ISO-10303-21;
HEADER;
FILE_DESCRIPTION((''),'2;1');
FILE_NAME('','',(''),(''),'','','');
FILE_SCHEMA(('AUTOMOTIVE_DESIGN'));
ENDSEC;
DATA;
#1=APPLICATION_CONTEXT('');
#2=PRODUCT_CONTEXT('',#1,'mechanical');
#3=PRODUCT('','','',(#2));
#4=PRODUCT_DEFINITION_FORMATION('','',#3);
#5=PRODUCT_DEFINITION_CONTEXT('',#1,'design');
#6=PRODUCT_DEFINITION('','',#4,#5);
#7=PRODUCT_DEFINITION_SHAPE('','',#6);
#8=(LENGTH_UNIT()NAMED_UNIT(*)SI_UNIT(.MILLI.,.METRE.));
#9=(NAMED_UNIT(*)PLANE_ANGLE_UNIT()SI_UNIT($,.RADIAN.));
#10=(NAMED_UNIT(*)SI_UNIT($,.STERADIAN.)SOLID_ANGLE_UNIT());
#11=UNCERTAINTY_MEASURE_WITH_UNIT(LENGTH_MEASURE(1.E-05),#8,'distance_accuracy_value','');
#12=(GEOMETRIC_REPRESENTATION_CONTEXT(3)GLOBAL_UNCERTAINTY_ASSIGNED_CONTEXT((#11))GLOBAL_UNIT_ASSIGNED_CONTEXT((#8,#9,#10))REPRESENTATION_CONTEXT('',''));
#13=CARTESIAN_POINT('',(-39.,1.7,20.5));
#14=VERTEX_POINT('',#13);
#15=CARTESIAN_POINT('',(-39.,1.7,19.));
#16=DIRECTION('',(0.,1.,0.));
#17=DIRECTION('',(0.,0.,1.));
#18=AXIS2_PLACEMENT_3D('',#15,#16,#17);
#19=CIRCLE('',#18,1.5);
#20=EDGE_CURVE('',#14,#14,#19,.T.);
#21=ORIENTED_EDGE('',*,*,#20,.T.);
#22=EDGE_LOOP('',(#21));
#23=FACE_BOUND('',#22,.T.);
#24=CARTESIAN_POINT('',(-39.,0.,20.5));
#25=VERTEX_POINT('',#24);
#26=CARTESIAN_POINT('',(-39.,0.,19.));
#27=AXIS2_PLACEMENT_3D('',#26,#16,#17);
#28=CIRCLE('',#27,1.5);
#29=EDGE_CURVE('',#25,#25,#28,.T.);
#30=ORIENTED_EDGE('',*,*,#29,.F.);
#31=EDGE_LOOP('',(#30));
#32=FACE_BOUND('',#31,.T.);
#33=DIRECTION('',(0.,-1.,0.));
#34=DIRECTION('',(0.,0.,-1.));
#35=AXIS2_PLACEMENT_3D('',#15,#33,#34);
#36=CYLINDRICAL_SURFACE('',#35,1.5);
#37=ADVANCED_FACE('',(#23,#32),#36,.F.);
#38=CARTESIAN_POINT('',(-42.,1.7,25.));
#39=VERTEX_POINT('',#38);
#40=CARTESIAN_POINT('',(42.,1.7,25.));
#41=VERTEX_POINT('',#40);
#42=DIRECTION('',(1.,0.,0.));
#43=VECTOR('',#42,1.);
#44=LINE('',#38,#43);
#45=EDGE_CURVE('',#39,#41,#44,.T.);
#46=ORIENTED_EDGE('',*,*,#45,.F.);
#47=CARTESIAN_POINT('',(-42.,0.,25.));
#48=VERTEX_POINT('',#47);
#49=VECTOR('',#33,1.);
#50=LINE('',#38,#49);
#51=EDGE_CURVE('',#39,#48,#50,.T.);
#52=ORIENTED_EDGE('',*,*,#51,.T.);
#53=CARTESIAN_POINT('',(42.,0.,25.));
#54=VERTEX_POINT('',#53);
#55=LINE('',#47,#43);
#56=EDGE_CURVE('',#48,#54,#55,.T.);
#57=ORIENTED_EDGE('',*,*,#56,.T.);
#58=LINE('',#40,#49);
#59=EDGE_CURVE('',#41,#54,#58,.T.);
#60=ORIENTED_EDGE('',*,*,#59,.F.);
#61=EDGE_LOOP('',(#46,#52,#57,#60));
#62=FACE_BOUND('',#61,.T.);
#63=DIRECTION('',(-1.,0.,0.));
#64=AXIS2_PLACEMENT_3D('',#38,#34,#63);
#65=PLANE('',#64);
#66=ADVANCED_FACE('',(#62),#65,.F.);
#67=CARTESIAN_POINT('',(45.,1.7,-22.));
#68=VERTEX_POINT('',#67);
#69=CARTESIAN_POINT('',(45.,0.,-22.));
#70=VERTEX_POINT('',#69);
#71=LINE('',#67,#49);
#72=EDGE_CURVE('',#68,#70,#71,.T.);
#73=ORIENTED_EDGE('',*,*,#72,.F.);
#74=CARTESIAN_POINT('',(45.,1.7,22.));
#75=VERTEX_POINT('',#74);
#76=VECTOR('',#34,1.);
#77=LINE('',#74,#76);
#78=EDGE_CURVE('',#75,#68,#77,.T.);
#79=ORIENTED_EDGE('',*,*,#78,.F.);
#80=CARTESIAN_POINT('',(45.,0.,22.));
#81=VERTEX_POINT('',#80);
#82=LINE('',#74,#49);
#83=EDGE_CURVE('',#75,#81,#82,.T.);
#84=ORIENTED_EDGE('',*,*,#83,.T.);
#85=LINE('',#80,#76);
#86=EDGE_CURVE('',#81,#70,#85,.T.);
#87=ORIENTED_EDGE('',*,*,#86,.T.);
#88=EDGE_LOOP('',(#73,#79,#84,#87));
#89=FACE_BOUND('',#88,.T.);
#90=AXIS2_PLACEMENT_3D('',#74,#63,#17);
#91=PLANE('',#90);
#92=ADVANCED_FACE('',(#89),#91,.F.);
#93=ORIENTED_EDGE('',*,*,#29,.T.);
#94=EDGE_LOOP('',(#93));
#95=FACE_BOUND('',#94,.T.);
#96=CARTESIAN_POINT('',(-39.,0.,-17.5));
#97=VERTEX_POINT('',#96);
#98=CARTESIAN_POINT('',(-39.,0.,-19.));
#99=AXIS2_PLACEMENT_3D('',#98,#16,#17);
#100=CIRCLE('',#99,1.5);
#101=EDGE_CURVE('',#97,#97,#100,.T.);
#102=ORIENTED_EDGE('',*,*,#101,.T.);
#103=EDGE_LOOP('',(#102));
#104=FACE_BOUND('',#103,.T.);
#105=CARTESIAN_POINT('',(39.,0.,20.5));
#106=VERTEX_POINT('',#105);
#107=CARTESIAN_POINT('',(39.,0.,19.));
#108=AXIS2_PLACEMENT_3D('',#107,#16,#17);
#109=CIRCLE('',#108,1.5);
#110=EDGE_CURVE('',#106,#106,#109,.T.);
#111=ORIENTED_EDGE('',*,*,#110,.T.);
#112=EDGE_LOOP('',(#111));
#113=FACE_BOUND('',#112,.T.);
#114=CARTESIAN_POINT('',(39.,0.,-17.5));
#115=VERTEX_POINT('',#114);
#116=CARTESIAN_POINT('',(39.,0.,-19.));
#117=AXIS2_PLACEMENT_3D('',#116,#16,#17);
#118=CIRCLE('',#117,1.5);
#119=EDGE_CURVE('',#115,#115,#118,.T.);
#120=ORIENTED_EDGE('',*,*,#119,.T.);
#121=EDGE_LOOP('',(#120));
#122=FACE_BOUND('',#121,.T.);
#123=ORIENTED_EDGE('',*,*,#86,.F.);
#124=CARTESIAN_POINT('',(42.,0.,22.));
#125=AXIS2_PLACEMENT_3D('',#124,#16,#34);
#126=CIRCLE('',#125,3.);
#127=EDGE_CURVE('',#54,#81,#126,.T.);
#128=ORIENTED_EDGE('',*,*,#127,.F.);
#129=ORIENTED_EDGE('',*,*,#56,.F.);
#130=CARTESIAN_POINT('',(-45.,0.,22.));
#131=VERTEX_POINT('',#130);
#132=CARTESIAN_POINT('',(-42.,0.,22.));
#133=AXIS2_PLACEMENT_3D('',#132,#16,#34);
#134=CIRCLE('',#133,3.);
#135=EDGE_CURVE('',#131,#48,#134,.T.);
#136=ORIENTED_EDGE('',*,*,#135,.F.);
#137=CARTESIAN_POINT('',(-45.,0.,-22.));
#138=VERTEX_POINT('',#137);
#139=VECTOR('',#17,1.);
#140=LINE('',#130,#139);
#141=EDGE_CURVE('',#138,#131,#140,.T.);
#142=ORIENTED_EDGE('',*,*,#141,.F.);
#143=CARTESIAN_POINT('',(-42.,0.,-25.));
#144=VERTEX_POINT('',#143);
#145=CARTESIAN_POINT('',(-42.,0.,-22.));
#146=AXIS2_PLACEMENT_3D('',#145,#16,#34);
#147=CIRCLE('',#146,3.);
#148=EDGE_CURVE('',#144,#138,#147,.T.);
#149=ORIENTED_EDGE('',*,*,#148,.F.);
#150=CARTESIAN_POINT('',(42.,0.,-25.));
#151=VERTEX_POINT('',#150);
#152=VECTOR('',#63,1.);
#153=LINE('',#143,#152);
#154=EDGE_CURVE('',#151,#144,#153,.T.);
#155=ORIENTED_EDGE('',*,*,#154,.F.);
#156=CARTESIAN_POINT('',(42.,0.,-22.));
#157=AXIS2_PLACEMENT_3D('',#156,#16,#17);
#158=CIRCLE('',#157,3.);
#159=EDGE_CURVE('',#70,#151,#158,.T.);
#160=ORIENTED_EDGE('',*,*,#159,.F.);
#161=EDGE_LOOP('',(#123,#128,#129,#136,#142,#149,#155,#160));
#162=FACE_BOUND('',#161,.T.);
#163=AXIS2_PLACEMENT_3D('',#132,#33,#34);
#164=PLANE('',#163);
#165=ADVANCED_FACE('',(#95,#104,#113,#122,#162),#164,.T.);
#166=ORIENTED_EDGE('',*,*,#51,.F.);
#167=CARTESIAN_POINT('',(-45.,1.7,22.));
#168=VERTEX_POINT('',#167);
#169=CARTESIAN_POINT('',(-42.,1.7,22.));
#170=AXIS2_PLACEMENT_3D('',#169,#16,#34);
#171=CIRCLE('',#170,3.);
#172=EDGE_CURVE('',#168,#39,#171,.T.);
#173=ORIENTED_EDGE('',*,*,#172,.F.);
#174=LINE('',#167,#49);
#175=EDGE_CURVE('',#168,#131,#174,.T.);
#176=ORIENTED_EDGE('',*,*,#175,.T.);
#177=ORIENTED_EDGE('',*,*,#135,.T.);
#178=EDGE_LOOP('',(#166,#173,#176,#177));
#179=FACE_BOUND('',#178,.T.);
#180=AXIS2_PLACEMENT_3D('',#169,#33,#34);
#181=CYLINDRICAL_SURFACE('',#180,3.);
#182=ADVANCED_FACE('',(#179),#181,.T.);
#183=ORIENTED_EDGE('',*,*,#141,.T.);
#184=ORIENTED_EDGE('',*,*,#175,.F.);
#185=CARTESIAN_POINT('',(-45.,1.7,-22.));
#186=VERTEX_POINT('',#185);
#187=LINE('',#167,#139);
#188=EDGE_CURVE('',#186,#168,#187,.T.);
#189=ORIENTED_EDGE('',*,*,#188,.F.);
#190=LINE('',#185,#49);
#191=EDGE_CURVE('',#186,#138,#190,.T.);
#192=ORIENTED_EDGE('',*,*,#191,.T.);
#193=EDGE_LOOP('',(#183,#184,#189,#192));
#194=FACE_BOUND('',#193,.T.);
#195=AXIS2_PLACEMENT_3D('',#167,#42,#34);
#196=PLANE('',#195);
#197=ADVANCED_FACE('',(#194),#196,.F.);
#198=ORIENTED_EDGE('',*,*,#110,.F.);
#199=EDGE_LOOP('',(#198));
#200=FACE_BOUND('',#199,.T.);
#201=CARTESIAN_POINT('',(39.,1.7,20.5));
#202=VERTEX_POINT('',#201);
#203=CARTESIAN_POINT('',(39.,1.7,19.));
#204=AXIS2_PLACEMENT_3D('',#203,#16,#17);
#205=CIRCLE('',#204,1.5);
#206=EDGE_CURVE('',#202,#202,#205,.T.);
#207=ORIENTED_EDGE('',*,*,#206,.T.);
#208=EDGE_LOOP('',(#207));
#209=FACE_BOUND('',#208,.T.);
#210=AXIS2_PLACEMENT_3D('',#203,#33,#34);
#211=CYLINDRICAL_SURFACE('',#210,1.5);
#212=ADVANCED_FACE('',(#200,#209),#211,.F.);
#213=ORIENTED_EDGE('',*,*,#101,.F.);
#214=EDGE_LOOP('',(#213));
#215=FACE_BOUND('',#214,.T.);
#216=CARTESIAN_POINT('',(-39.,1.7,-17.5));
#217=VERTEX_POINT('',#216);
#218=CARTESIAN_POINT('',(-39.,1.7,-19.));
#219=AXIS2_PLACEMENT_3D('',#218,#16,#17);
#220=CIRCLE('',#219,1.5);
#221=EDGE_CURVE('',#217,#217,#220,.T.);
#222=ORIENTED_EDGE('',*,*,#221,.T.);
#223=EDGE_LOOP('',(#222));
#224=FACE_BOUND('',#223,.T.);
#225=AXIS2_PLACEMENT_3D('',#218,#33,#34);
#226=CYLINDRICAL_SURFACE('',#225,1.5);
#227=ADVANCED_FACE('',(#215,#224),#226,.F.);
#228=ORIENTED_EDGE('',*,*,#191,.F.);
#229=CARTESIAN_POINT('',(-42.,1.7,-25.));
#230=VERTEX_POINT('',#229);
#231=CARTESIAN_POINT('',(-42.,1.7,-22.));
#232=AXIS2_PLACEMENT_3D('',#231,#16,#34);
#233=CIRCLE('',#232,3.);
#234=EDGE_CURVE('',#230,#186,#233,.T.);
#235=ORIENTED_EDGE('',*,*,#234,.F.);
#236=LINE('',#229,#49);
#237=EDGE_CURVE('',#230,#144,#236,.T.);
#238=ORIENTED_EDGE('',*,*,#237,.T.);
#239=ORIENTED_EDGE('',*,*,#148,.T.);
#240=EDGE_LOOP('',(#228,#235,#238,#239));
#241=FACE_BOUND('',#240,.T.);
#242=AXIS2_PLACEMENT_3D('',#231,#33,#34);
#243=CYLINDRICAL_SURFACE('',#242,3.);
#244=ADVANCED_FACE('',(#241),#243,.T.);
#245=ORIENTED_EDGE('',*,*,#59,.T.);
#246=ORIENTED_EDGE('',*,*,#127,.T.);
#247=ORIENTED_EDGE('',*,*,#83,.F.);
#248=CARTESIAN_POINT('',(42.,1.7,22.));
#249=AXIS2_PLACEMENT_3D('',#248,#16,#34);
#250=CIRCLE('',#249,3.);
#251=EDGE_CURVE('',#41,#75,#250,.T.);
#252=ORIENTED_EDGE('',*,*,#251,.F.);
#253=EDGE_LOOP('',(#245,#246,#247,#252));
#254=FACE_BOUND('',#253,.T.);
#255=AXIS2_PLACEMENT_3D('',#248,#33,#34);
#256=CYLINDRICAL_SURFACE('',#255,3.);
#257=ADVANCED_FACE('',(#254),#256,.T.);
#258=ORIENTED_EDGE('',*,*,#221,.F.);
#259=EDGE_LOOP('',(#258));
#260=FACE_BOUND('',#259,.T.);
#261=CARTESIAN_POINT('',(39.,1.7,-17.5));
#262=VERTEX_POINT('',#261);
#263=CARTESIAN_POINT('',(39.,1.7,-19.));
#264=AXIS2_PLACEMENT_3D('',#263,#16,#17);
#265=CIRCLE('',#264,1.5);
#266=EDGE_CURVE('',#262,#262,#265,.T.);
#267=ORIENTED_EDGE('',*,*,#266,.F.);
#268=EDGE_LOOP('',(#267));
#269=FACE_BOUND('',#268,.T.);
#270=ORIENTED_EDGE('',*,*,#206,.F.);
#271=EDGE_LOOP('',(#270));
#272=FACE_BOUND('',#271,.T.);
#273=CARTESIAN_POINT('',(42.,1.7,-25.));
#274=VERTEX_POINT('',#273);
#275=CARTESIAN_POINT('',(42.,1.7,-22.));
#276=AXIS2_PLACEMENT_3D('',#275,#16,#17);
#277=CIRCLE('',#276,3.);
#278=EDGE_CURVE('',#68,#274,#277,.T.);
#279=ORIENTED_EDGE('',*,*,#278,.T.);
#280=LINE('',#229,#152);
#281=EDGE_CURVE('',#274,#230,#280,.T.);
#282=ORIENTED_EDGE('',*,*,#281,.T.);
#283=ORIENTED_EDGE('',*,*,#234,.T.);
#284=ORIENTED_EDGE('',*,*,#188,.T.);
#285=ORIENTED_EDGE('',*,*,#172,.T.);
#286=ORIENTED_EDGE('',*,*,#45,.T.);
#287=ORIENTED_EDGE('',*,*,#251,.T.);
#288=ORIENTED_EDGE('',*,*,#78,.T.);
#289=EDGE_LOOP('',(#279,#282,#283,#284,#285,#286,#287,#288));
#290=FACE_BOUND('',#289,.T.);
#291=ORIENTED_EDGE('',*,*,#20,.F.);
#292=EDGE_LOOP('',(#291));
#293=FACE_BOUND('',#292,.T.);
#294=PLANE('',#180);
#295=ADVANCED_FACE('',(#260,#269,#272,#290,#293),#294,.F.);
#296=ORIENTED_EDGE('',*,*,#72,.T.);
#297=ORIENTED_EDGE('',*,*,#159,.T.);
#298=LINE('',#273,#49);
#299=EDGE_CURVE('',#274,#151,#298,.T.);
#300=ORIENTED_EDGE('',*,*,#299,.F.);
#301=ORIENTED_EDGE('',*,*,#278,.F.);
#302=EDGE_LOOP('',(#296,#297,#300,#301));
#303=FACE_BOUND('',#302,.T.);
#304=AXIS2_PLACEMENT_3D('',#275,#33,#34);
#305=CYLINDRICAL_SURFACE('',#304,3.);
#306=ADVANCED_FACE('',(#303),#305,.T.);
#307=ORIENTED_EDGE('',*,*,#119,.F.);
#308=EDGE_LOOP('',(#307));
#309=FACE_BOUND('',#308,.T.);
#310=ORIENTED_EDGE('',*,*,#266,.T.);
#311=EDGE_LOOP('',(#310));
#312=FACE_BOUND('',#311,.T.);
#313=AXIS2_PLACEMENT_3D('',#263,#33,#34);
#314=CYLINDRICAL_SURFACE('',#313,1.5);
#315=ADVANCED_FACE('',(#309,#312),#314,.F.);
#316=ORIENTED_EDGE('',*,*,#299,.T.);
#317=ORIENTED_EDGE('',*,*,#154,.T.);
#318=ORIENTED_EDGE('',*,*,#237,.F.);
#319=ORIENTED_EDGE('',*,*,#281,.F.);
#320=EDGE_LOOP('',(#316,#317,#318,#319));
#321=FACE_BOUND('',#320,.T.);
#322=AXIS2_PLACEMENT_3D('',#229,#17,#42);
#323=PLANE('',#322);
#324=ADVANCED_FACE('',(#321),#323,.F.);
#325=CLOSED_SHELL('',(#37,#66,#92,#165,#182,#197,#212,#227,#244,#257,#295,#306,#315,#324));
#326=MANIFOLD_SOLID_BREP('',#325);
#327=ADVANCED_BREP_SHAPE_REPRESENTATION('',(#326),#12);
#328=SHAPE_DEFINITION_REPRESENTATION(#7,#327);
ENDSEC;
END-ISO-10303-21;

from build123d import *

# Parameters (mm, degrees)
SKETCH_1_R      = 1.5
EXTRUDE_1_DEPTH = 1.7


with BuildPart() as part:
    # 草图1 → 凸台-拉伸1 (new body)
    with BuildSketch(Plane(origin=(0, 0, 0), x_dir=(1, 0, 0), z_dir=(0, 1, 0))):
        with BuildLine():
            Line((-42, -25), (42, -25))
            ThreePointArc((42, -25), (44.121320344, -24.121320344), (45, -22))
            Line((45, -22), (45, 22))
            ThreePointArc((45, 22), (44.121320344, 24.121320344), (42, 25))
            Line((42, 25), (-42, 25))
            ThreePointArc((-42, 25), (-44.121320344, 24.121320344), (-45, 22))
            Line((-45, 22), (-45, -22))
            ThreePointArc((-45, -22), (-44.121320344, -24.121320344), (-42, -25))
        make_face()
        with Locations(Location((-39, 19, 0), (0, 0, 270))):
            Circle(SKETCH_1_R, mode=Mode.SUBTRACT)
        with Locations(Location((39, 19, 0), (0, 0, 270))):
            Circle(SKETCH_1_R, mode=Mode.SUBTRACT)
        with Locations(Location((-39, -19, 0), (0, 0, 270))):
            Circle(SKETCH_1_R, mode=Mode.SUBTRACT)
        with Locations(Location((39, -19, 0), (0, 0, 270))):
            Circle(SKETCH_1_R, mode=Mode.SUBTRACT)
    extrude(amount=EXTRUDE_1_DEPTH)


solid = part.part
